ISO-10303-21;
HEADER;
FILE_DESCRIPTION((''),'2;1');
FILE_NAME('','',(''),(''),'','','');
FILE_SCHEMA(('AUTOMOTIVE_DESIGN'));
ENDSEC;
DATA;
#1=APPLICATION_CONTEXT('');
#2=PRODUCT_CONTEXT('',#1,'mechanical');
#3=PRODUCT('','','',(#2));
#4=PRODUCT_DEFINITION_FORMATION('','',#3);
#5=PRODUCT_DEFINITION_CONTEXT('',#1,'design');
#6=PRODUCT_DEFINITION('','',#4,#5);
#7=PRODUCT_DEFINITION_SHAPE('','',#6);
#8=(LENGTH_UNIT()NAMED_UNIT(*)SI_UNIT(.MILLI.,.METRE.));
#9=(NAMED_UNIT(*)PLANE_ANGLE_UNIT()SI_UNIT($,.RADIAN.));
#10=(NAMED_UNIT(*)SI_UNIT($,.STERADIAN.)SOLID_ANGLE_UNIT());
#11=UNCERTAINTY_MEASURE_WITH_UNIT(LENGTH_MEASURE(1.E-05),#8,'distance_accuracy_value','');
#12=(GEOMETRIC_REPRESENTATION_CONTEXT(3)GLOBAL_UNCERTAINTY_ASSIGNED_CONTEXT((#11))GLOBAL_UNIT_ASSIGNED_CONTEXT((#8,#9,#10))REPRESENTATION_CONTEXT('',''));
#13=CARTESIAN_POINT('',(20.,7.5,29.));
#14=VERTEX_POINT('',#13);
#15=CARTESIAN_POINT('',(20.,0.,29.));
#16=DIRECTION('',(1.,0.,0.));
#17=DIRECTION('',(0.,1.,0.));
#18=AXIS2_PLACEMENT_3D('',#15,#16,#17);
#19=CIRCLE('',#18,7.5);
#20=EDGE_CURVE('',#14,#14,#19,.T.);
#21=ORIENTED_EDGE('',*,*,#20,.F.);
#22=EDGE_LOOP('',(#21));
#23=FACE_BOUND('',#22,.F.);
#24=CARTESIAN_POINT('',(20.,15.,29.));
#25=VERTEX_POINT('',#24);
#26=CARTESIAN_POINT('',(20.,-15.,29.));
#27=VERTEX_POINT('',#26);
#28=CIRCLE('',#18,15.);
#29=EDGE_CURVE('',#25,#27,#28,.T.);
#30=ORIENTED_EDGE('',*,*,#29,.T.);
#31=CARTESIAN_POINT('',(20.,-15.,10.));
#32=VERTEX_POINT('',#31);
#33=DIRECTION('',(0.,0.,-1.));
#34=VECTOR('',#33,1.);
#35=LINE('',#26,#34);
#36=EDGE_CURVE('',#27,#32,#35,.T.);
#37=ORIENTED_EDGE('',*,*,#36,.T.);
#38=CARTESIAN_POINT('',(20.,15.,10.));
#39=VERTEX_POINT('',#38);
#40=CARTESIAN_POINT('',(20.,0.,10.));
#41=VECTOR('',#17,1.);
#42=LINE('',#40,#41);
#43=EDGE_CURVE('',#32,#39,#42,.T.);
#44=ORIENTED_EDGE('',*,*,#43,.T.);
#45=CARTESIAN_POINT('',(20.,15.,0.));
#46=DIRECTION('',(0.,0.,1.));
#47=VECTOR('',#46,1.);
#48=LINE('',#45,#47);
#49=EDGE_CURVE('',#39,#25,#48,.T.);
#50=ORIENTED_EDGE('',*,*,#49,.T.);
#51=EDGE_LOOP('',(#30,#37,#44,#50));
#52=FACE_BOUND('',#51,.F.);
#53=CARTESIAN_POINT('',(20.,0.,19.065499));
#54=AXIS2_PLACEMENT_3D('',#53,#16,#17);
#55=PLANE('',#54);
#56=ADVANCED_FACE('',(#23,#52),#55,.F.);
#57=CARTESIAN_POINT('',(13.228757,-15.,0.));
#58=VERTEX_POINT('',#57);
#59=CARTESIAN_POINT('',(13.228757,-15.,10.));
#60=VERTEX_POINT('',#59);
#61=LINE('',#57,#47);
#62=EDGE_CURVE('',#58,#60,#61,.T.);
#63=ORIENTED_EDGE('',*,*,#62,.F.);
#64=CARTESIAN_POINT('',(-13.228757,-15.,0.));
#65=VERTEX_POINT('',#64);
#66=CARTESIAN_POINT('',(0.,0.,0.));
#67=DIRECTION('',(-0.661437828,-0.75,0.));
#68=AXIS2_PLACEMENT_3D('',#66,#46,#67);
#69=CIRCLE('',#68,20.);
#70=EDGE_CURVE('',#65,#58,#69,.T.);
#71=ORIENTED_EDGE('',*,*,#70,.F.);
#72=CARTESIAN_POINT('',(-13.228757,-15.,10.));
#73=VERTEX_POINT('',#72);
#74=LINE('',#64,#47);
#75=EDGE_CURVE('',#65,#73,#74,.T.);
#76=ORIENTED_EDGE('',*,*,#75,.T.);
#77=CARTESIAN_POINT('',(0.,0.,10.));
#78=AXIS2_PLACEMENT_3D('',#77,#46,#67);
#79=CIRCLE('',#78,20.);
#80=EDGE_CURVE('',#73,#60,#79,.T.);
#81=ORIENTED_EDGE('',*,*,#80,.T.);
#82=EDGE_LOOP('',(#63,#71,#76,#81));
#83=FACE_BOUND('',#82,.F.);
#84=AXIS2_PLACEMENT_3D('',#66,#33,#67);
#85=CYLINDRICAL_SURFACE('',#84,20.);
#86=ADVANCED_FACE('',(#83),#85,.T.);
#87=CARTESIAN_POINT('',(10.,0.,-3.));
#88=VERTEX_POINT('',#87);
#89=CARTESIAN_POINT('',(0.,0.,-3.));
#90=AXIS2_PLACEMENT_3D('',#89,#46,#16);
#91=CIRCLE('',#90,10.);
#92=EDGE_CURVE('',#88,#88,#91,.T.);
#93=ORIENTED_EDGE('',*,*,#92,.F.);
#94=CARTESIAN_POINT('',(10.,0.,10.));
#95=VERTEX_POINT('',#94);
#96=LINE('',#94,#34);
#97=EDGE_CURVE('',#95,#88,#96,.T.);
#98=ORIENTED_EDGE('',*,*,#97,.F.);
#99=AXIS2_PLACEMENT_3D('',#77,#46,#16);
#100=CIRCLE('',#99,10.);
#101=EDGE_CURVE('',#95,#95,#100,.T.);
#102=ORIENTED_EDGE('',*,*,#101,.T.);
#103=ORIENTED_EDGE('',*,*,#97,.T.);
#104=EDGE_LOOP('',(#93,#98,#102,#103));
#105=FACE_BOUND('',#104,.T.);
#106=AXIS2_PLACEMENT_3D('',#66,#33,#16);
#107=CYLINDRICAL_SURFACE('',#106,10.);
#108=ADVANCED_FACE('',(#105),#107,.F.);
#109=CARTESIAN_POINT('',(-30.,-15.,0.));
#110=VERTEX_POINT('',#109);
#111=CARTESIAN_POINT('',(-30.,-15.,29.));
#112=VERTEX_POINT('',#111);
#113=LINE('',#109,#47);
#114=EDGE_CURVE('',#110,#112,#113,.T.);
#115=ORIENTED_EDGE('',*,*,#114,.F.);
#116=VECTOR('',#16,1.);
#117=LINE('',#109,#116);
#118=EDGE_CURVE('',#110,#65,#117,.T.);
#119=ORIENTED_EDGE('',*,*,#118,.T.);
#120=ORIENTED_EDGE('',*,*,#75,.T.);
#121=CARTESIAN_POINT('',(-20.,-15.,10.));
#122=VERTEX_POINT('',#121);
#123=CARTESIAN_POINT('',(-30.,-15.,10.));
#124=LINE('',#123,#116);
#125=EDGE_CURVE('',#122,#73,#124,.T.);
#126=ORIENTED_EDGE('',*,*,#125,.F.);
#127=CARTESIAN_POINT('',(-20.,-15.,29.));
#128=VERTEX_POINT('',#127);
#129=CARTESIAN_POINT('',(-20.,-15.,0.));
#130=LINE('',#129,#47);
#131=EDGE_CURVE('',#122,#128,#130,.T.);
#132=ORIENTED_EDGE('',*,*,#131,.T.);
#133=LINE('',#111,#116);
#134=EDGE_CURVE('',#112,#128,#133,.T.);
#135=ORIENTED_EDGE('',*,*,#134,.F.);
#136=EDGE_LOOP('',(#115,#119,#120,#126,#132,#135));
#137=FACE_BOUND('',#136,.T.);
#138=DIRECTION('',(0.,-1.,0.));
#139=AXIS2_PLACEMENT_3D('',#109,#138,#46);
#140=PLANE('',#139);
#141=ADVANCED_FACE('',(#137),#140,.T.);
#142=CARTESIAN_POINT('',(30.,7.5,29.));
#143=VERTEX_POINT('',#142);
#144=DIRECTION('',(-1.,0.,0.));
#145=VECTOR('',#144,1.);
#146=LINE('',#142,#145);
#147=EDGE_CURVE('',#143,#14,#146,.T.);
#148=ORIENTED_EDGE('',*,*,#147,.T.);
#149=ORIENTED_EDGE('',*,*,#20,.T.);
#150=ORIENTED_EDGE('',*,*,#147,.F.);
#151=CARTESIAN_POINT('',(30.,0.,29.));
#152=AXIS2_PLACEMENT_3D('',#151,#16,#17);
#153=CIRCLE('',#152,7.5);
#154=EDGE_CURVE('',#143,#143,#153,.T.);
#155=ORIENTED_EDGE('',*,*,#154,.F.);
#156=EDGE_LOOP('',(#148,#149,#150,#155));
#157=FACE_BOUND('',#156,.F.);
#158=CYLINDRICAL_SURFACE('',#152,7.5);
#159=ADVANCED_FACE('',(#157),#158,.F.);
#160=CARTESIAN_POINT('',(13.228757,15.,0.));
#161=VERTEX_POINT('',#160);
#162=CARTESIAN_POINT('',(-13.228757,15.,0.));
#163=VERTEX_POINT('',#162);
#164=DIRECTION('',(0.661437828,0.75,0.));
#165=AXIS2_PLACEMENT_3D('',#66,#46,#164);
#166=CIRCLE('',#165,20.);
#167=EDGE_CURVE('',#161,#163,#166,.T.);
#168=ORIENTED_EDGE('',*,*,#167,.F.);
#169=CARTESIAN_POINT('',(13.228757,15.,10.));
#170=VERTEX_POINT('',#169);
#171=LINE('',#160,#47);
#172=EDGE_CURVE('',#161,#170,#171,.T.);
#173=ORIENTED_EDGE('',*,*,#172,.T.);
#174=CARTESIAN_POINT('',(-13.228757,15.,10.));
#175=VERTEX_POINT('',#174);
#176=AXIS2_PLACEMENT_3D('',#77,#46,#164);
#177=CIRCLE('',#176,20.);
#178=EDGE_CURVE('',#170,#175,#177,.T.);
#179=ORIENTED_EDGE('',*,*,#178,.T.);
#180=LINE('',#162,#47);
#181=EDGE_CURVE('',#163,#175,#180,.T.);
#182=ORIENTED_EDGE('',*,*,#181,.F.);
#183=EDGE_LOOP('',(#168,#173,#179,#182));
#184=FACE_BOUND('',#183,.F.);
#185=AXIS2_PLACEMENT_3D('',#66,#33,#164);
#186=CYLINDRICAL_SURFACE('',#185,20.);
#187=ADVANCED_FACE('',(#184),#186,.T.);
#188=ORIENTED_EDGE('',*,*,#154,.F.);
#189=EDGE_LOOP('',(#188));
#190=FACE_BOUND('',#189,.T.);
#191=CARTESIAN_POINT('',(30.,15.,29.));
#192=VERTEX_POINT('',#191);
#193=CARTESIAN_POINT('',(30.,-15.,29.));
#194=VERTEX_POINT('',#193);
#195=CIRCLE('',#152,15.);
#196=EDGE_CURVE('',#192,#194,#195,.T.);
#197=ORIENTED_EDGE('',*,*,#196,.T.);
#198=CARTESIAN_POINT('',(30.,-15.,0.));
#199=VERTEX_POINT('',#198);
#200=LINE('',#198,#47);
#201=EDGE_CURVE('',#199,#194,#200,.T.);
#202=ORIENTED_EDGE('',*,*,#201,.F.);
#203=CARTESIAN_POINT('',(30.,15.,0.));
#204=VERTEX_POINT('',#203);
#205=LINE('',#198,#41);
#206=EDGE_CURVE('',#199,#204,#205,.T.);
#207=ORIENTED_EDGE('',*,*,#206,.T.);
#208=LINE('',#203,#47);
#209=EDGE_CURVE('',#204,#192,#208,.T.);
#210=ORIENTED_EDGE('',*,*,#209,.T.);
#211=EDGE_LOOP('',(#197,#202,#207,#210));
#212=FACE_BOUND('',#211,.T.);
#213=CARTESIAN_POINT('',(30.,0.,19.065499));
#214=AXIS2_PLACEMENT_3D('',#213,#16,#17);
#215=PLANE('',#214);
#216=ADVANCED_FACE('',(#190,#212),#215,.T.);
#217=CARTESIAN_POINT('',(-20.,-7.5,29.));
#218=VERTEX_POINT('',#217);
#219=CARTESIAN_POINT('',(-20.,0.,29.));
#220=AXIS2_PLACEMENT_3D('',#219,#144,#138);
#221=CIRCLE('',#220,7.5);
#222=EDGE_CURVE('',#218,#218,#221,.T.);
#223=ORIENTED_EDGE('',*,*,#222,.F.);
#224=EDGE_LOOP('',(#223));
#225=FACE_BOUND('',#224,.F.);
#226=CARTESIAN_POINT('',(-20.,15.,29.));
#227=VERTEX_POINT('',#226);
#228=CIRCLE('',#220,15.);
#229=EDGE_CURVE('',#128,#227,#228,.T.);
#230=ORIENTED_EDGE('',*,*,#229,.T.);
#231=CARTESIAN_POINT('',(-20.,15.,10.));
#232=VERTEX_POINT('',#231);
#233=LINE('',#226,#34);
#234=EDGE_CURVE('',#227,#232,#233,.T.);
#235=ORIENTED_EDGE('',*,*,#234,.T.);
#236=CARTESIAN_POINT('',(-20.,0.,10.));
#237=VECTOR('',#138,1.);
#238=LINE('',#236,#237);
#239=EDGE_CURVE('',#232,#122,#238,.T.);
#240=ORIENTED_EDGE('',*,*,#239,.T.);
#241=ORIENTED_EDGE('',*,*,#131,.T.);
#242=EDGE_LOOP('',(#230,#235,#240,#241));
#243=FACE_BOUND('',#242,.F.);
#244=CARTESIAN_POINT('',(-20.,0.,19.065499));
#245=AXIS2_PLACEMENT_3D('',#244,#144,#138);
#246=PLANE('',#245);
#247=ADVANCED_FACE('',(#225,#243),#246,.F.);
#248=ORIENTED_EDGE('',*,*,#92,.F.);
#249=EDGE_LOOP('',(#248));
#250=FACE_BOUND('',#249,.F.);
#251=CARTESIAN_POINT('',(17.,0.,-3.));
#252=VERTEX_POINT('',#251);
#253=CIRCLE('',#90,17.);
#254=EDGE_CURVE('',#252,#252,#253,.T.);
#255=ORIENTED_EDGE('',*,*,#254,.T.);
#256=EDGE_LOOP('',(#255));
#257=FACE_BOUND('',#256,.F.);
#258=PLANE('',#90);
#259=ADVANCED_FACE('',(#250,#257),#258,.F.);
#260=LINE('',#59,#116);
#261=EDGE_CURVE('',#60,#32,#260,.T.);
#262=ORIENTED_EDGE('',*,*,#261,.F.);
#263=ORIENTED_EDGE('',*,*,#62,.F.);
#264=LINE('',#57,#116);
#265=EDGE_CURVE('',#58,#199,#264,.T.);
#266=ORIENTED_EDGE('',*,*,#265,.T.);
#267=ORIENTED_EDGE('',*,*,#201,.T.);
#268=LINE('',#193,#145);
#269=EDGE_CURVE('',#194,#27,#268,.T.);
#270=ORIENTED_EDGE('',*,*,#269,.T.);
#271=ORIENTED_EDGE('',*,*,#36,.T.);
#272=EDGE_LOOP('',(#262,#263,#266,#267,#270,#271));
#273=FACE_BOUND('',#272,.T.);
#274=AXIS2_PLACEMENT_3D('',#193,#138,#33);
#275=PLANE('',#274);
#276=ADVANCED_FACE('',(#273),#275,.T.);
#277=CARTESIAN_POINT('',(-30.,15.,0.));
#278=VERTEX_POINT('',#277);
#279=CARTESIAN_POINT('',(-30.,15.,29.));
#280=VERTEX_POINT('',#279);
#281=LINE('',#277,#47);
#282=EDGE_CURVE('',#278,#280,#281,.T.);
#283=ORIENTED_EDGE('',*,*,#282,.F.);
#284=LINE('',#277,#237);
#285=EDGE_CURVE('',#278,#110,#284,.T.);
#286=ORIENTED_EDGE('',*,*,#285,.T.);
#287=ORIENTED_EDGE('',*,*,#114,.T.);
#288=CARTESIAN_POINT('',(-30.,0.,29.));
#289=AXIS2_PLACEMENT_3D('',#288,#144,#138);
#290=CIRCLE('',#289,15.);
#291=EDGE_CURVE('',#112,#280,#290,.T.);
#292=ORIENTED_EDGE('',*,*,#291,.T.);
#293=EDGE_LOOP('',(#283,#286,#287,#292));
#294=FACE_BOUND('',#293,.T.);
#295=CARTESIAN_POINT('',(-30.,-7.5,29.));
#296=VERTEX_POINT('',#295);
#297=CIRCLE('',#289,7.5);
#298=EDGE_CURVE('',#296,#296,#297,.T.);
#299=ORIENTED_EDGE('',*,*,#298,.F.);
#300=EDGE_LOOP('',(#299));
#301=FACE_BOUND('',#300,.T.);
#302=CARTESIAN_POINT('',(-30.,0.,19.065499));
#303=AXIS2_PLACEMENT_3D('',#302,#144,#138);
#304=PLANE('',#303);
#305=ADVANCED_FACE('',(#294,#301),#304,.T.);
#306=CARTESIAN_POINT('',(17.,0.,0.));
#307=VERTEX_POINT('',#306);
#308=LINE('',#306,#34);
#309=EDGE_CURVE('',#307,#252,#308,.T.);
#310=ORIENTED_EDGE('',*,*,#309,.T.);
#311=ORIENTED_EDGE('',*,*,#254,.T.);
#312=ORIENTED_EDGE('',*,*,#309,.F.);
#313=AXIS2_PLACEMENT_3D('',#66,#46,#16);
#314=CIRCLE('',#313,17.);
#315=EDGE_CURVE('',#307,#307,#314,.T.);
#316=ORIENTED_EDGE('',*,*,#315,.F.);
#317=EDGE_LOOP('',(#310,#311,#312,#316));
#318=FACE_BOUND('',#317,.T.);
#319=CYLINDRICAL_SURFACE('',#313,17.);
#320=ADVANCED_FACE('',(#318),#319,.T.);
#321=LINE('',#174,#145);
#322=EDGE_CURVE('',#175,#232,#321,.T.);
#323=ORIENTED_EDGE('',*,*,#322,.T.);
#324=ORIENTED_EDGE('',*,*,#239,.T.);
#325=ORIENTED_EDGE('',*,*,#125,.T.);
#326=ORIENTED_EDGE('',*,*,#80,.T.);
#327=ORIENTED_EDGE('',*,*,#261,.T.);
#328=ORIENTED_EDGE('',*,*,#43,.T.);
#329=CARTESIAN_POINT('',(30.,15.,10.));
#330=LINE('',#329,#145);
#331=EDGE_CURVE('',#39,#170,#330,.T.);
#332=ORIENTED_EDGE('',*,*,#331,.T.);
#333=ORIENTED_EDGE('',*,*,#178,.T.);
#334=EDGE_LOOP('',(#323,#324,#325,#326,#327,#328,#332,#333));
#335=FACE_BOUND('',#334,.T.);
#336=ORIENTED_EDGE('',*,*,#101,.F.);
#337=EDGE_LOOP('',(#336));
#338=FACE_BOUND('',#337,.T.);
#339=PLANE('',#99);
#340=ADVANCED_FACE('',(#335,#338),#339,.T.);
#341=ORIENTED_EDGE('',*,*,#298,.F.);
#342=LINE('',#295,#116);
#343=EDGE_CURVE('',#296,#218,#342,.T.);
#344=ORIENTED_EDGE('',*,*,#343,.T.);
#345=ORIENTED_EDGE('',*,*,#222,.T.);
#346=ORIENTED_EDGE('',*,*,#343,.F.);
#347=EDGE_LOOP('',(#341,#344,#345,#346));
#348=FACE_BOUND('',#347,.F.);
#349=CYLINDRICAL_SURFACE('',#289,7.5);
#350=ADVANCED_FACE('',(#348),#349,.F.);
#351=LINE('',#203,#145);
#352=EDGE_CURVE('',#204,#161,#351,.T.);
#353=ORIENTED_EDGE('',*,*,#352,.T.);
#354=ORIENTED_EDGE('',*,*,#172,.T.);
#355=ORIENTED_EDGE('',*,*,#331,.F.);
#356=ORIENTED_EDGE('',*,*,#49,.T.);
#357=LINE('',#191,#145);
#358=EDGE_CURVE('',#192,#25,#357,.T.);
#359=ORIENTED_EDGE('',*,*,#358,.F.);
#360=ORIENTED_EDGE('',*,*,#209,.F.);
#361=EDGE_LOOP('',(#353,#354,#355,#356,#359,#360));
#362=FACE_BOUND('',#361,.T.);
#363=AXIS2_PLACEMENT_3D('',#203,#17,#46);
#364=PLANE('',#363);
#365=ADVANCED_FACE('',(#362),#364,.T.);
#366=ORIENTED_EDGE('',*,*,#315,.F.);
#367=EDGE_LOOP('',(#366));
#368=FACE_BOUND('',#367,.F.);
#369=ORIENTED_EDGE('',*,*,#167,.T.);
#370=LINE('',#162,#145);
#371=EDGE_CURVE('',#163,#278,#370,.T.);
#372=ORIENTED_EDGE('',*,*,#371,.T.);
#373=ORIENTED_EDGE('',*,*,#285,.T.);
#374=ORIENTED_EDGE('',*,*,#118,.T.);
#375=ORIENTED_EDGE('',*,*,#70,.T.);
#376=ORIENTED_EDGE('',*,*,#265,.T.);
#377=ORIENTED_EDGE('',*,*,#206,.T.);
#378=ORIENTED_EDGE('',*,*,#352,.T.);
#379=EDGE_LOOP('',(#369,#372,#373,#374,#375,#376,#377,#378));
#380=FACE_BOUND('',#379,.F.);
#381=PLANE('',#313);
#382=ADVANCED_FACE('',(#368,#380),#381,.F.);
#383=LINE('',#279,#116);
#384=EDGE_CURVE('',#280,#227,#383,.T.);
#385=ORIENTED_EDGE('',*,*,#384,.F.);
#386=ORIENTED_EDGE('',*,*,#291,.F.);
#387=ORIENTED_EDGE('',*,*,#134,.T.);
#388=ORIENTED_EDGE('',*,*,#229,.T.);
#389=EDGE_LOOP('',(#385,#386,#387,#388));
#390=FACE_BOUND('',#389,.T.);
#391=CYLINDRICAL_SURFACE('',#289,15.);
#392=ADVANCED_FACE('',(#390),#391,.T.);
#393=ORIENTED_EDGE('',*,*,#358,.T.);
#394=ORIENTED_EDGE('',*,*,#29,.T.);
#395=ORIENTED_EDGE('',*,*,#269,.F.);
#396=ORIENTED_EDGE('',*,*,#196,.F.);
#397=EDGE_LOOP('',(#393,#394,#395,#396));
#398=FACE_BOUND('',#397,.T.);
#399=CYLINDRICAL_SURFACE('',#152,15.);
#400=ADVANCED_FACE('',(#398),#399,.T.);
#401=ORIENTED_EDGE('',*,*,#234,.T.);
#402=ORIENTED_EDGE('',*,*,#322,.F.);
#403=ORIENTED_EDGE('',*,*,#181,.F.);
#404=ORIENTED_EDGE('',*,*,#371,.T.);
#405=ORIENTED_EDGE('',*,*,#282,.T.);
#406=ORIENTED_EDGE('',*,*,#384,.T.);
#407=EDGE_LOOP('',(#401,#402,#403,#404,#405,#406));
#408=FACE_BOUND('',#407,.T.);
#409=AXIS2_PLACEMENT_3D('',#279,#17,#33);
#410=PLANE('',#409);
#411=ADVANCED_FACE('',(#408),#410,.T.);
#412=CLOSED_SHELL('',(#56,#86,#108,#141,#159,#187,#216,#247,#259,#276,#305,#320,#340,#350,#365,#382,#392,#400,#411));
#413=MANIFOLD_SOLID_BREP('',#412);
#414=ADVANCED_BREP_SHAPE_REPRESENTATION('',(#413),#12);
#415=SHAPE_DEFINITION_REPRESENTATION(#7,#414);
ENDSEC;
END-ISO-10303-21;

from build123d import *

# Parameters (mm, degrees)
F0_R     = 10
F1_DEPTH = 10
F4_R     = 17
F4_R_2   = 10
F5_DEPTH = 3
F3_R     = 7.5
F6_DEPTH = 10
F7_R     = 7.5
F8_DEPTH = 10


with BuildPart() as f1:
    # F0 (on Top) → F1 (new body)
    with BuildSketch(Plane.XY):
        with BuildLine():
            Line((-13.2287565553, 15), (-30, 15))
            Line((-30, 15), (-30, -15))
            Line((-30, -15), (-13.2287565553, -15))
            ThreePointArc((-13.2287565553, -15), (0, -20), (13.2287565553, -15))
            Line((13.2287565553, -15), (30, -15))
            Line((30, -15), (30, 15))
            Line((30, 15), (13.2287565553, 15))
            ThreePointArc((13.2287565553, 15), (0, 20), (-13.2287565553, 15))
        make_face()
        Circle(F0_R, mode=Mode.SUBTRACT)
    extrude(amount=F1_DEPTH)

    # F4 (on Top) → F5 (join)
    with BuildSketch(Plane.XY):
        Circle(F4_R)
        Circle(F4_R_2, mode=Mode.SUBTRACT)
    extrude(amount=-F5_DEPTH)

    # F3 (on offset) → F6 (join)
    with BuildSketch(Plane.YZ.offset(30)):
        with BuildLine():
            Line((-15, 29), (-15, 0))
            Line((-15, 0), (15, 0))
            Line((15, 0), (15, 29))
            ThreePointArc((15, 29), (0, 44), (-15, 29))
        make_face()
        with Locations((0, 29)):
            Circle(F3_R, mode=Mode.SUBTRACT)
    extrude(amount=-F6_DEPTH)

    # F7 (on face) → F8 (join)
    with BuildSketch(Plane(origin=(-30, 0, 0), x_dir=(0, -1, 0), z_dir=(-1, 0, 0))):
        with BuildLine():
            Line((-15, 29), (-15, 0))
            Line((-15, 0), (15, 0))
            Line((15, 0), (15, 29))
            ThreePointArc((15, 29), (0, 44), (-15, 29))
        make_face()
        with Locations((0, 29)):
            Circle(F7_R, mode=Mode.SUBTRACT)
    extrude(amount=-F8_DEPTH)


solid = f1.part
